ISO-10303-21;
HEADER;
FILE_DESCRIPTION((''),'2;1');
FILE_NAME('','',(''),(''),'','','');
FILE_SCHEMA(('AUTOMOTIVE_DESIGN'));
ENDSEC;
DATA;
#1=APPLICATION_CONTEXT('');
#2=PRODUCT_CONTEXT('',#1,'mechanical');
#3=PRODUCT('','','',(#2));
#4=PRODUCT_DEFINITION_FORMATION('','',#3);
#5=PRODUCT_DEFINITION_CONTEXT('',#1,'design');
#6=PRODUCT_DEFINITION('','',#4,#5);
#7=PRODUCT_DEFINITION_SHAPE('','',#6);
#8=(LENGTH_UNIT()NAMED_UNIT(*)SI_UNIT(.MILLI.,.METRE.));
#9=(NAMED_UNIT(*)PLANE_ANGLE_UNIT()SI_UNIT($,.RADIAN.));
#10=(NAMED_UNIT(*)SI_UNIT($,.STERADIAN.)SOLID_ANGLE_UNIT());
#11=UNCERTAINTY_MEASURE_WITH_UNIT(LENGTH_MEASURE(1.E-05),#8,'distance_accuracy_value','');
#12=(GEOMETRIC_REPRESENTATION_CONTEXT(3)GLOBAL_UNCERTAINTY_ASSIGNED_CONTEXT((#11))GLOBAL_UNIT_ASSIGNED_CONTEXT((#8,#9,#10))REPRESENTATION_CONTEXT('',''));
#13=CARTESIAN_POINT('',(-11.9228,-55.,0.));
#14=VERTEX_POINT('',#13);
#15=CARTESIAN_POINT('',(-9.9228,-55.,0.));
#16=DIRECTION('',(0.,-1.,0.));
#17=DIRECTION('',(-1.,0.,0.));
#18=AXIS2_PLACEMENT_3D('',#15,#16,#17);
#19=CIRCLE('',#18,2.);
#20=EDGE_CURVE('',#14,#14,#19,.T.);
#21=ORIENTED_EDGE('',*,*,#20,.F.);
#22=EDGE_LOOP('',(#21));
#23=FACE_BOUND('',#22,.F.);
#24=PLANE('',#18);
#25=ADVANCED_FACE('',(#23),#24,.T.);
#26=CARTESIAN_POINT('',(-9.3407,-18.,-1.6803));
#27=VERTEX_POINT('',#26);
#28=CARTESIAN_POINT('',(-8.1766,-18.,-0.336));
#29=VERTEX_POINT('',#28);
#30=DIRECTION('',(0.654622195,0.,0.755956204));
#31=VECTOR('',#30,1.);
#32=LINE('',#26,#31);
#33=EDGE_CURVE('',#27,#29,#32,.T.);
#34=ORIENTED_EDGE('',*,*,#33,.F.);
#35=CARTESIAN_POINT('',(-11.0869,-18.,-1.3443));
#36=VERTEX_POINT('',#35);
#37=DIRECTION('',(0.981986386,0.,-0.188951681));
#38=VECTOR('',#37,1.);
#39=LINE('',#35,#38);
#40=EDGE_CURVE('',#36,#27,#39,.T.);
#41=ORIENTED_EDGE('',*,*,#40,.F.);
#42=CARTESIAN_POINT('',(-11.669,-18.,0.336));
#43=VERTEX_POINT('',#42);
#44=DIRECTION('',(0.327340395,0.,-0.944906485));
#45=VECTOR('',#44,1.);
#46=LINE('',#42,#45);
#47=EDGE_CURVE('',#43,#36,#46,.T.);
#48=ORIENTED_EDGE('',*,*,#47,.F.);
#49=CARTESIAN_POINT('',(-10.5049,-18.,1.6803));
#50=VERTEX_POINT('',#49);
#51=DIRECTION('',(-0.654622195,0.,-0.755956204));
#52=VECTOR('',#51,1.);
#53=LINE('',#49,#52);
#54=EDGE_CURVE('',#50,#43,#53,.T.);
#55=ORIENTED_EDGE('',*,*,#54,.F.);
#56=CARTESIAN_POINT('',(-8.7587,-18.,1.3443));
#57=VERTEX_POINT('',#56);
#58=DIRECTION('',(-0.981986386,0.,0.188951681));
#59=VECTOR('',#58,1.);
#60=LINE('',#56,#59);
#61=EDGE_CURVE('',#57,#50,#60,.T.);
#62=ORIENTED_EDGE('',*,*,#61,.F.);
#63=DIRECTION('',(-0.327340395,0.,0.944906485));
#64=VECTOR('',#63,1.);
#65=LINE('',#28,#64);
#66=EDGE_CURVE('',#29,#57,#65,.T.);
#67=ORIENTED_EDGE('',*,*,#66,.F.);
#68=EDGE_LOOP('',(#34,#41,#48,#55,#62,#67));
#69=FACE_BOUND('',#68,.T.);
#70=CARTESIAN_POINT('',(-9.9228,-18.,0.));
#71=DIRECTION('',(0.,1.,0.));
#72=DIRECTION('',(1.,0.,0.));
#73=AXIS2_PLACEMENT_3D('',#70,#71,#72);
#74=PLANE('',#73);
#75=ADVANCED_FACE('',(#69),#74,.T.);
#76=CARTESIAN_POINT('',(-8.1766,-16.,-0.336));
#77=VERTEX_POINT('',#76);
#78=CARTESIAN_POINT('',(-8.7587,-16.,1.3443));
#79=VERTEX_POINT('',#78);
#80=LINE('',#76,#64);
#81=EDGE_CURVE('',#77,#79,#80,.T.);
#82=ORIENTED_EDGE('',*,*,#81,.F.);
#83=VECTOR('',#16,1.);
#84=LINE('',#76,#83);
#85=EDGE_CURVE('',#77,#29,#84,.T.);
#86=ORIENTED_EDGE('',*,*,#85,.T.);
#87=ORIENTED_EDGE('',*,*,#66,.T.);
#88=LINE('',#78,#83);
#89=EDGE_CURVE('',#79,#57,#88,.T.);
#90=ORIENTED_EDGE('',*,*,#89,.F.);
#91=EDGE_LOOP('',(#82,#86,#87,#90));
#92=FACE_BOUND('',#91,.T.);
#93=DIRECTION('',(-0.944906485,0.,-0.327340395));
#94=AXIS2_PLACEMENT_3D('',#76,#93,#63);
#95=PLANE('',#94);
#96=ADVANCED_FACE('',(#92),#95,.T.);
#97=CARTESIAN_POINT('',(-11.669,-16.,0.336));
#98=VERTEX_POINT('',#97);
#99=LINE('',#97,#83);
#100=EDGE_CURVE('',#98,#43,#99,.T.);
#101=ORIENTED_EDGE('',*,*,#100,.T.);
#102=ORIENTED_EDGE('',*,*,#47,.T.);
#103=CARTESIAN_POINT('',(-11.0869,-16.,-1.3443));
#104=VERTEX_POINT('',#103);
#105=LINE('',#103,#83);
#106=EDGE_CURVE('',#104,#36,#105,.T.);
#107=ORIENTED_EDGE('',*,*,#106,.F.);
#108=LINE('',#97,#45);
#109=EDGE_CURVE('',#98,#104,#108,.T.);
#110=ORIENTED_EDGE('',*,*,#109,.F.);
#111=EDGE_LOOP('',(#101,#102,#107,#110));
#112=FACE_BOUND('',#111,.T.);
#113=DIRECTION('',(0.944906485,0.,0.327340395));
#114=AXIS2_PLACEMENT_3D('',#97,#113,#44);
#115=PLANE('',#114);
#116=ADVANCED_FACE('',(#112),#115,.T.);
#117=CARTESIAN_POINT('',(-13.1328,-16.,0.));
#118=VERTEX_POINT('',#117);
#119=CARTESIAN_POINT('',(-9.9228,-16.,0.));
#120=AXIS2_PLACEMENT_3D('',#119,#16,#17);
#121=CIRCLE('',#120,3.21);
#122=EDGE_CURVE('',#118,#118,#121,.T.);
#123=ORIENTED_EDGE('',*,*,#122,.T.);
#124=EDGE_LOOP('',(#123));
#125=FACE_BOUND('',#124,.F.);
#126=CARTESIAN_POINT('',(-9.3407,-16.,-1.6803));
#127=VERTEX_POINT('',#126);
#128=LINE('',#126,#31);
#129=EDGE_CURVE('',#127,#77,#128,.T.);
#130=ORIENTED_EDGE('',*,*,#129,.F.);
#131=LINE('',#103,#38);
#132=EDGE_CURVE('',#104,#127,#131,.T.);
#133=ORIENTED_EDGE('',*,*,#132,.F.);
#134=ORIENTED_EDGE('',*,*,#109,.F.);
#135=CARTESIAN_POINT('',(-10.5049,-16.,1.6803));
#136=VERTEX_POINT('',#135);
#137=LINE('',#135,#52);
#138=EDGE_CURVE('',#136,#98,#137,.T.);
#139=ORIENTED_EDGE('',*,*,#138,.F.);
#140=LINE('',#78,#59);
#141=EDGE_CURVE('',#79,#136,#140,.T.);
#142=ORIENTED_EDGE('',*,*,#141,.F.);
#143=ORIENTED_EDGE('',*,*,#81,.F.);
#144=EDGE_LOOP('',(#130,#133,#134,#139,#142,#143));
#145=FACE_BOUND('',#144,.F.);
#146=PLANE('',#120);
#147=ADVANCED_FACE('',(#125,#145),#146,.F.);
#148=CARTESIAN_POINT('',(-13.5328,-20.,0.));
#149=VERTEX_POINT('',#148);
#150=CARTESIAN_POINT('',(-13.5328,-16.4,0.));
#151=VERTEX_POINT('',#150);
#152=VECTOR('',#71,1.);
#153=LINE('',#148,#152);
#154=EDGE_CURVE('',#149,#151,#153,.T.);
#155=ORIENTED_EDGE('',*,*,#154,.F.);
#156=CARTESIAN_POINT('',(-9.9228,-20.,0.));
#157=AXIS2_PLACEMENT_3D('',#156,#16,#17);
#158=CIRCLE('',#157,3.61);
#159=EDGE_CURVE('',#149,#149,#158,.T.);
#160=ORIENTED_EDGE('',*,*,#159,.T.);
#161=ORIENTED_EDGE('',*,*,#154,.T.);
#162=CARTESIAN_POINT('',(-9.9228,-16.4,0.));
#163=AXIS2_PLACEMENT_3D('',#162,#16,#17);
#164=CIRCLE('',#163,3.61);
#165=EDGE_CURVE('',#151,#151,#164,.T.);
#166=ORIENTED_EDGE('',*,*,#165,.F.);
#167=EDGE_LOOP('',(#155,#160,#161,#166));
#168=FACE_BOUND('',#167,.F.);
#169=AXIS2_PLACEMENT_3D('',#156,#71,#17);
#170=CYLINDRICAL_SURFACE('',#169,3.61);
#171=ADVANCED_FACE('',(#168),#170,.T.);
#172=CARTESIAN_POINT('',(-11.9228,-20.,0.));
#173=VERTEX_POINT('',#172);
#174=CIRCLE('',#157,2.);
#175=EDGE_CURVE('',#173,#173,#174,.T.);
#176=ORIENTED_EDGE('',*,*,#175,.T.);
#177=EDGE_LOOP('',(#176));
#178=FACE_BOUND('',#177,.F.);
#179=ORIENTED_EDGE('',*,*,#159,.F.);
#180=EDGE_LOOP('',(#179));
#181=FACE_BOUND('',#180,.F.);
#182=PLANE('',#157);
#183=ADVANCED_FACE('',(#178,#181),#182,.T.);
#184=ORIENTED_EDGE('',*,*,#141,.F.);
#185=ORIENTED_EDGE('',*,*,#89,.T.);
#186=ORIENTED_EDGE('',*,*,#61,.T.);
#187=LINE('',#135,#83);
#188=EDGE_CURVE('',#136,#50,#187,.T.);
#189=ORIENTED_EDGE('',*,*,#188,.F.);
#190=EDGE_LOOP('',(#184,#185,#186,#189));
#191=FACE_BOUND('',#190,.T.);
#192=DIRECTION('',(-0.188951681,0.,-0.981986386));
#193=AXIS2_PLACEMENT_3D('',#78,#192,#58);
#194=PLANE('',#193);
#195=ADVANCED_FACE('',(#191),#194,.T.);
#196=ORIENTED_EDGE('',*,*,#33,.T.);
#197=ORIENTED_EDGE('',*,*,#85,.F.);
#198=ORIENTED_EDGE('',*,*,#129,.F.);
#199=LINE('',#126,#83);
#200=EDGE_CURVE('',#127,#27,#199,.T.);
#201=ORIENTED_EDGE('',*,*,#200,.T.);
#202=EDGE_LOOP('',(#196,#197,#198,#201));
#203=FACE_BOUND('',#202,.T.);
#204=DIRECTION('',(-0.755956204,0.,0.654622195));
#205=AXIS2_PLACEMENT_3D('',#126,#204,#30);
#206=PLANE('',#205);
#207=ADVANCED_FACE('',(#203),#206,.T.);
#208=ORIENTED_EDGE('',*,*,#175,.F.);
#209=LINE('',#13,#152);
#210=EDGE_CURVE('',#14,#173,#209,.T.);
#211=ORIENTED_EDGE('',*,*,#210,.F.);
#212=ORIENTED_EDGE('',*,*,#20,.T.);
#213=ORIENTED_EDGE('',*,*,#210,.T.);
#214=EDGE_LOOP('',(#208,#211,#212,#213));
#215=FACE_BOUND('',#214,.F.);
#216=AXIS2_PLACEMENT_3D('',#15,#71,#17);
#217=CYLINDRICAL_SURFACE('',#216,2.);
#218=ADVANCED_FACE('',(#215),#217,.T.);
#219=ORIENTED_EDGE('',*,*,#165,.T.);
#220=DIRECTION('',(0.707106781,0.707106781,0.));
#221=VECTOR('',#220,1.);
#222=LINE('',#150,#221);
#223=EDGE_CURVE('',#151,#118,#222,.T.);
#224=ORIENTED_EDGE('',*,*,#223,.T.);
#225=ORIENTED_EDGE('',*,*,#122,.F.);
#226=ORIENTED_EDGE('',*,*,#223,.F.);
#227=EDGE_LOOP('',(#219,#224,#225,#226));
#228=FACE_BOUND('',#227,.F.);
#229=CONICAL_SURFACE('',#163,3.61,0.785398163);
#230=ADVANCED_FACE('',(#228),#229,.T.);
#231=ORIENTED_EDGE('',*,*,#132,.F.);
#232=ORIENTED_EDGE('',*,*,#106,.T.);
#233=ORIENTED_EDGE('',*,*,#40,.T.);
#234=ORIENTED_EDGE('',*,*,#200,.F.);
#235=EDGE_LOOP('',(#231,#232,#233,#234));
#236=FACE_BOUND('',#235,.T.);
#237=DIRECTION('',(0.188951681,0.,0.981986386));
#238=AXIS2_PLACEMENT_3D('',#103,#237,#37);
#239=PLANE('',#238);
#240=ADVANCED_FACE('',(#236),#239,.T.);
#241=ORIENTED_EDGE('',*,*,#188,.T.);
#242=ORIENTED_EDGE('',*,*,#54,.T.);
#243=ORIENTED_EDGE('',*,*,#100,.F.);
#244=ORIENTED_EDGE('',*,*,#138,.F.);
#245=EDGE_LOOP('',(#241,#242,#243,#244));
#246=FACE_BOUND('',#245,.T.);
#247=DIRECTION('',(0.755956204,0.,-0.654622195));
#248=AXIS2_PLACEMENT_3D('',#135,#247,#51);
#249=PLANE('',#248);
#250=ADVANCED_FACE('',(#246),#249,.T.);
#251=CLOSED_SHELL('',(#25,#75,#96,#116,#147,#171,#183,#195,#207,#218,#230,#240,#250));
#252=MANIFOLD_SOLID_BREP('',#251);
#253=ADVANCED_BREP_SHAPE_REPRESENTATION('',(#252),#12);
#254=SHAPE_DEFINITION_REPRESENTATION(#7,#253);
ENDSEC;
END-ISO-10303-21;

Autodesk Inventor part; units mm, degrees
ref_plane "YZ Plane" through (0, 0, 0) normal (1, 0, 0) x (0, 1, 0)
ref_plane "XZ Plane" through (0, 0, 0) normal (0, 1, 0) x (-1, 0, 0)
ref_plane "XY Plane" through (0, 0, 0) normal (0, 0, 1) x (1, 0, 0)
sketch "Sketch1" plane through (0, 0, 0) normal (0, 0, 1) x (1, 0, 0)
  line L0 (-9.9228, -20) -> (-13.5328, -20)
  line L1 (-13.5328, -20) -> (-13.5328, -16)
  line L2 (-13.5328, -16) -> (-9.9228, -16)
  line L3 (-9.9228, -16) -> (-9.9228, -20)
  line L4 (-9.9228, -20) -> (-9.9228, -55)
  line L5 (-9.9228, -55) -> (-11.9228, -55)
  line L6 (-11.9228, -55) -> (-11.9228, -20)
  point P0 (0, 0)
  dimension "d0" = 3.61
  dimension "d1" = 4
  dimension "d3" = 2
  dimension "d16" = 35
revolve "Revolution1" add sketch "Sketch1" angle 360 about axis through (-9.9228, -20, 0) along (0, -1, 0)
chamfer "Chamfer1" distance 0.4 angle 45 1 edges at (-6.3128, -16, 0)
sketch "Boceto2" plane through (-9.9228, -16, 0) normal (0, 1, 0) x (1, 0, 0)
  line L0 (1.1641, -1.3443) -> (-0.5821, -1.6803)
  line L1 (-0.5821, -1.6803) -> (-1.7462, -0.336)
  line L2 (-1.7462, -0.336) -> (-1.1641, 1.3443)
  line L3 (-1.1641, 1.3443) -> (0.5821, 1.6803)
  line L4 (0.5821, 1.6803) -> (1.7462, 0.336)
  line L5 (1.7462, 0.336) -> (1.1641, -1.3443)
  point P0 (9.9228, 0)
  point P1 (0, 0)
  dimension "d11" = 3.08
extrude "Extrusión1" cut sketch "Boceto2" against normal blind 2
thread "Rosca1" size "M4x0.7" class "6g" standard "ISO Metric profile" length 430
properties part number "Tornillo Allen cabeza cilindrica M4x35mm"
